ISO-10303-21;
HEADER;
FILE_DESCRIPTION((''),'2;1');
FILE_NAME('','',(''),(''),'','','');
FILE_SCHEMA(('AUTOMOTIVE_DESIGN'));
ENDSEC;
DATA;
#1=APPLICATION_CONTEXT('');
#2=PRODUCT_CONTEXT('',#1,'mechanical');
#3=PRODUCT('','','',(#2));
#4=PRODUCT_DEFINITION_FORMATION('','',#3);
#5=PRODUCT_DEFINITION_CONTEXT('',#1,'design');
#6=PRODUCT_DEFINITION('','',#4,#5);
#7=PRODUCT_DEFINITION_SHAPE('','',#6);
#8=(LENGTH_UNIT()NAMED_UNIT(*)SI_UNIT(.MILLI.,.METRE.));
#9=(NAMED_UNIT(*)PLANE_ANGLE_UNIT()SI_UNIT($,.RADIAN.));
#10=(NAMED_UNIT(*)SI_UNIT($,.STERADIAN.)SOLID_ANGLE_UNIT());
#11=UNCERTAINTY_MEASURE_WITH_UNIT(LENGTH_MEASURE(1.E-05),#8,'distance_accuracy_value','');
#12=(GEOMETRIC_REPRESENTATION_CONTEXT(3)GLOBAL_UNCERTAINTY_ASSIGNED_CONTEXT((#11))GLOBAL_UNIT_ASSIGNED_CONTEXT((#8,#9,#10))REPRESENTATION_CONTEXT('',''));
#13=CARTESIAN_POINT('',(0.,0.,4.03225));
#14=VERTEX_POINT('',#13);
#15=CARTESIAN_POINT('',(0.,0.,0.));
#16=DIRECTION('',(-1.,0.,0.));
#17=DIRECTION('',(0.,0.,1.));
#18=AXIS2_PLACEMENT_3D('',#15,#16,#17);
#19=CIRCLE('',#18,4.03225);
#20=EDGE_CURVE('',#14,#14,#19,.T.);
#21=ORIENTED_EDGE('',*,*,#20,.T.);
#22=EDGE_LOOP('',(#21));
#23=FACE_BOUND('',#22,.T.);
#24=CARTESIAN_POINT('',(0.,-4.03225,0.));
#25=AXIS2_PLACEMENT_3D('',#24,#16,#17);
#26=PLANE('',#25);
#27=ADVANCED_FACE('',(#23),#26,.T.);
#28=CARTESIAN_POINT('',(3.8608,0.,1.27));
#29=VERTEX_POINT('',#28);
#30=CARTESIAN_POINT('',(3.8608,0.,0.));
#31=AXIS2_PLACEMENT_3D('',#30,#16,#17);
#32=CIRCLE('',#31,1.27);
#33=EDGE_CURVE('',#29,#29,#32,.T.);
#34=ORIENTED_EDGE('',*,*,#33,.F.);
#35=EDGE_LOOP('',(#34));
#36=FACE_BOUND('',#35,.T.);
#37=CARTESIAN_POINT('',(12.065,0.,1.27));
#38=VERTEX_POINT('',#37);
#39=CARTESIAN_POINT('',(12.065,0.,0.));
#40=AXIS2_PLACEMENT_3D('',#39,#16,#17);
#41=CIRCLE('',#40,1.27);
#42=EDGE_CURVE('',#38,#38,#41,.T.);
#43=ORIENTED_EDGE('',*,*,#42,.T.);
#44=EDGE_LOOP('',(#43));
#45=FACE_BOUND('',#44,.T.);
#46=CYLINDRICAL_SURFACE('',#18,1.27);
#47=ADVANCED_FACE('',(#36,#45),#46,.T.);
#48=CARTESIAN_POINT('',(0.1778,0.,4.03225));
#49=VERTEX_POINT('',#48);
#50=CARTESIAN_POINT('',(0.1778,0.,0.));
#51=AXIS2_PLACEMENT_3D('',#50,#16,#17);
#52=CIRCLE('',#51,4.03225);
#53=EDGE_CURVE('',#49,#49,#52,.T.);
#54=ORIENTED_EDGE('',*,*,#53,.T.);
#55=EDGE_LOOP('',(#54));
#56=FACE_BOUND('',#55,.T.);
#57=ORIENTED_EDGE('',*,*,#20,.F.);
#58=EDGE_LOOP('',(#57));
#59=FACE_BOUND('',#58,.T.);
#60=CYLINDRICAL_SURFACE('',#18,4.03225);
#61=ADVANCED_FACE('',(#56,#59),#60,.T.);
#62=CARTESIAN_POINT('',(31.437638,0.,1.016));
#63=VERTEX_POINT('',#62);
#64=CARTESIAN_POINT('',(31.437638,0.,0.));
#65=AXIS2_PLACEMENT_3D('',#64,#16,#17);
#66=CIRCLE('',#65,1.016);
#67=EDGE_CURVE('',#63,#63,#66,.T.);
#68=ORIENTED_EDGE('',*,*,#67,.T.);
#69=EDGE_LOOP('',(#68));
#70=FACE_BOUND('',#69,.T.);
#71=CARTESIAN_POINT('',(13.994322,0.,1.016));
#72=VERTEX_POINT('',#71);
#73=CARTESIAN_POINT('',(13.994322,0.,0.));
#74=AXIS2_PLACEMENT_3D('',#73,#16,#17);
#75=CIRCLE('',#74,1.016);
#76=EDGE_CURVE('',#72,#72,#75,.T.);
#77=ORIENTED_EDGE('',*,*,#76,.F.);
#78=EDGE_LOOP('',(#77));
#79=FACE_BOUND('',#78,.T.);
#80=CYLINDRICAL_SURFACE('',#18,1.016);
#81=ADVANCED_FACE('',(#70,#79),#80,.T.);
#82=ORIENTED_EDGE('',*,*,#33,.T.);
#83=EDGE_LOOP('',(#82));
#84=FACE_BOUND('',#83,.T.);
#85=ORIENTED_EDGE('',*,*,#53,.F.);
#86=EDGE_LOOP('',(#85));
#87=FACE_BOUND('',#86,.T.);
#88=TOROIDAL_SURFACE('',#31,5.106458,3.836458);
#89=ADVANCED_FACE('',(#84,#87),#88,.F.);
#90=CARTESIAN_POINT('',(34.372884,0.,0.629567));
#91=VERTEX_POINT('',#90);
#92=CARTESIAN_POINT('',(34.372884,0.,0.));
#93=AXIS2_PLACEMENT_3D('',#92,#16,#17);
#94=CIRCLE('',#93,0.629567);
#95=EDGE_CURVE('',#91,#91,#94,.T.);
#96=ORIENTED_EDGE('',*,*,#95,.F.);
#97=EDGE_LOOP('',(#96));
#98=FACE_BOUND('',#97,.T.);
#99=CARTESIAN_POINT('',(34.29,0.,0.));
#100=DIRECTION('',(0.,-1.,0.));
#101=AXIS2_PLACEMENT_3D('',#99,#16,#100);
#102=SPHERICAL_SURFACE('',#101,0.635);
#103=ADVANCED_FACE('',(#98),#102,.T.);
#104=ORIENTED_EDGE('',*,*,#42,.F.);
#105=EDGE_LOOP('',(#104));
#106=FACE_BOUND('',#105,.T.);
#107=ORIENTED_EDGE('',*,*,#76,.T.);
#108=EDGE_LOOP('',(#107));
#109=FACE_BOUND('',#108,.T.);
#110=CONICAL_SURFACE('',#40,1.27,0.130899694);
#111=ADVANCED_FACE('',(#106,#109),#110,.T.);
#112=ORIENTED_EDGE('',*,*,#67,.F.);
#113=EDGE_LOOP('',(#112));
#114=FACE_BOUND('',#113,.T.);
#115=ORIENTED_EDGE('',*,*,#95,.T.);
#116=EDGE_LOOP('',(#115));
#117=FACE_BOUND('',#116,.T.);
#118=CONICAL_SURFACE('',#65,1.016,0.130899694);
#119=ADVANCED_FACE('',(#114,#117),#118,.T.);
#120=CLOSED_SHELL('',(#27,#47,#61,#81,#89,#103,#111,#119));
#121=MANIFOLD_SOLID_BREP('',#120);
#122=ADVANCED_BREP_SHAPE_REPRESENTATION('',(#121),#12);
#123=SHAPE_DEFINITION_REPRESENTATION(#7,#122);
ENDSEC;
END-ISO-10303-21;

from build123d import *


with BuildPart() as part:
    # Sketch1 → Revolve1 (revolve)
    with BuildSketch(Plane.XY, mode=Mode.PRIVATE) as revolve1_sk:
        with BuildLine():
            Line((0, -4.03225), (0, 0))
            Line((0, 0), (34.925, 0))
            ThreePointArc((34.925, 0), (34.767418278, -0.418684593), (34.372884132, -0.629567487))
            Line((34.372884132, -0.629567487), (31.437637782, -1.016))
            Line((31.437637782, -1.016), (13.994321545, -1.016))
            Line((13.994321545, -1.016), (12.065, -1.27))
            Line((12.065, -1.27), (3.8608, -1.27))
            ThreePointArc((3.8608, -1.27), (1.558925, -2.037291667), (0.1778, -4.03225))
            Line((0.1778, -4.03225), (0, -4.03225))
        make_face()
    revolve(revolve1_sk.sketch.rotate(Axis((0, 0, 0), (1, 0, 0)), 270), axis=Axis((0, 0, 0), (1, 0, 0)))


solid = part.part
